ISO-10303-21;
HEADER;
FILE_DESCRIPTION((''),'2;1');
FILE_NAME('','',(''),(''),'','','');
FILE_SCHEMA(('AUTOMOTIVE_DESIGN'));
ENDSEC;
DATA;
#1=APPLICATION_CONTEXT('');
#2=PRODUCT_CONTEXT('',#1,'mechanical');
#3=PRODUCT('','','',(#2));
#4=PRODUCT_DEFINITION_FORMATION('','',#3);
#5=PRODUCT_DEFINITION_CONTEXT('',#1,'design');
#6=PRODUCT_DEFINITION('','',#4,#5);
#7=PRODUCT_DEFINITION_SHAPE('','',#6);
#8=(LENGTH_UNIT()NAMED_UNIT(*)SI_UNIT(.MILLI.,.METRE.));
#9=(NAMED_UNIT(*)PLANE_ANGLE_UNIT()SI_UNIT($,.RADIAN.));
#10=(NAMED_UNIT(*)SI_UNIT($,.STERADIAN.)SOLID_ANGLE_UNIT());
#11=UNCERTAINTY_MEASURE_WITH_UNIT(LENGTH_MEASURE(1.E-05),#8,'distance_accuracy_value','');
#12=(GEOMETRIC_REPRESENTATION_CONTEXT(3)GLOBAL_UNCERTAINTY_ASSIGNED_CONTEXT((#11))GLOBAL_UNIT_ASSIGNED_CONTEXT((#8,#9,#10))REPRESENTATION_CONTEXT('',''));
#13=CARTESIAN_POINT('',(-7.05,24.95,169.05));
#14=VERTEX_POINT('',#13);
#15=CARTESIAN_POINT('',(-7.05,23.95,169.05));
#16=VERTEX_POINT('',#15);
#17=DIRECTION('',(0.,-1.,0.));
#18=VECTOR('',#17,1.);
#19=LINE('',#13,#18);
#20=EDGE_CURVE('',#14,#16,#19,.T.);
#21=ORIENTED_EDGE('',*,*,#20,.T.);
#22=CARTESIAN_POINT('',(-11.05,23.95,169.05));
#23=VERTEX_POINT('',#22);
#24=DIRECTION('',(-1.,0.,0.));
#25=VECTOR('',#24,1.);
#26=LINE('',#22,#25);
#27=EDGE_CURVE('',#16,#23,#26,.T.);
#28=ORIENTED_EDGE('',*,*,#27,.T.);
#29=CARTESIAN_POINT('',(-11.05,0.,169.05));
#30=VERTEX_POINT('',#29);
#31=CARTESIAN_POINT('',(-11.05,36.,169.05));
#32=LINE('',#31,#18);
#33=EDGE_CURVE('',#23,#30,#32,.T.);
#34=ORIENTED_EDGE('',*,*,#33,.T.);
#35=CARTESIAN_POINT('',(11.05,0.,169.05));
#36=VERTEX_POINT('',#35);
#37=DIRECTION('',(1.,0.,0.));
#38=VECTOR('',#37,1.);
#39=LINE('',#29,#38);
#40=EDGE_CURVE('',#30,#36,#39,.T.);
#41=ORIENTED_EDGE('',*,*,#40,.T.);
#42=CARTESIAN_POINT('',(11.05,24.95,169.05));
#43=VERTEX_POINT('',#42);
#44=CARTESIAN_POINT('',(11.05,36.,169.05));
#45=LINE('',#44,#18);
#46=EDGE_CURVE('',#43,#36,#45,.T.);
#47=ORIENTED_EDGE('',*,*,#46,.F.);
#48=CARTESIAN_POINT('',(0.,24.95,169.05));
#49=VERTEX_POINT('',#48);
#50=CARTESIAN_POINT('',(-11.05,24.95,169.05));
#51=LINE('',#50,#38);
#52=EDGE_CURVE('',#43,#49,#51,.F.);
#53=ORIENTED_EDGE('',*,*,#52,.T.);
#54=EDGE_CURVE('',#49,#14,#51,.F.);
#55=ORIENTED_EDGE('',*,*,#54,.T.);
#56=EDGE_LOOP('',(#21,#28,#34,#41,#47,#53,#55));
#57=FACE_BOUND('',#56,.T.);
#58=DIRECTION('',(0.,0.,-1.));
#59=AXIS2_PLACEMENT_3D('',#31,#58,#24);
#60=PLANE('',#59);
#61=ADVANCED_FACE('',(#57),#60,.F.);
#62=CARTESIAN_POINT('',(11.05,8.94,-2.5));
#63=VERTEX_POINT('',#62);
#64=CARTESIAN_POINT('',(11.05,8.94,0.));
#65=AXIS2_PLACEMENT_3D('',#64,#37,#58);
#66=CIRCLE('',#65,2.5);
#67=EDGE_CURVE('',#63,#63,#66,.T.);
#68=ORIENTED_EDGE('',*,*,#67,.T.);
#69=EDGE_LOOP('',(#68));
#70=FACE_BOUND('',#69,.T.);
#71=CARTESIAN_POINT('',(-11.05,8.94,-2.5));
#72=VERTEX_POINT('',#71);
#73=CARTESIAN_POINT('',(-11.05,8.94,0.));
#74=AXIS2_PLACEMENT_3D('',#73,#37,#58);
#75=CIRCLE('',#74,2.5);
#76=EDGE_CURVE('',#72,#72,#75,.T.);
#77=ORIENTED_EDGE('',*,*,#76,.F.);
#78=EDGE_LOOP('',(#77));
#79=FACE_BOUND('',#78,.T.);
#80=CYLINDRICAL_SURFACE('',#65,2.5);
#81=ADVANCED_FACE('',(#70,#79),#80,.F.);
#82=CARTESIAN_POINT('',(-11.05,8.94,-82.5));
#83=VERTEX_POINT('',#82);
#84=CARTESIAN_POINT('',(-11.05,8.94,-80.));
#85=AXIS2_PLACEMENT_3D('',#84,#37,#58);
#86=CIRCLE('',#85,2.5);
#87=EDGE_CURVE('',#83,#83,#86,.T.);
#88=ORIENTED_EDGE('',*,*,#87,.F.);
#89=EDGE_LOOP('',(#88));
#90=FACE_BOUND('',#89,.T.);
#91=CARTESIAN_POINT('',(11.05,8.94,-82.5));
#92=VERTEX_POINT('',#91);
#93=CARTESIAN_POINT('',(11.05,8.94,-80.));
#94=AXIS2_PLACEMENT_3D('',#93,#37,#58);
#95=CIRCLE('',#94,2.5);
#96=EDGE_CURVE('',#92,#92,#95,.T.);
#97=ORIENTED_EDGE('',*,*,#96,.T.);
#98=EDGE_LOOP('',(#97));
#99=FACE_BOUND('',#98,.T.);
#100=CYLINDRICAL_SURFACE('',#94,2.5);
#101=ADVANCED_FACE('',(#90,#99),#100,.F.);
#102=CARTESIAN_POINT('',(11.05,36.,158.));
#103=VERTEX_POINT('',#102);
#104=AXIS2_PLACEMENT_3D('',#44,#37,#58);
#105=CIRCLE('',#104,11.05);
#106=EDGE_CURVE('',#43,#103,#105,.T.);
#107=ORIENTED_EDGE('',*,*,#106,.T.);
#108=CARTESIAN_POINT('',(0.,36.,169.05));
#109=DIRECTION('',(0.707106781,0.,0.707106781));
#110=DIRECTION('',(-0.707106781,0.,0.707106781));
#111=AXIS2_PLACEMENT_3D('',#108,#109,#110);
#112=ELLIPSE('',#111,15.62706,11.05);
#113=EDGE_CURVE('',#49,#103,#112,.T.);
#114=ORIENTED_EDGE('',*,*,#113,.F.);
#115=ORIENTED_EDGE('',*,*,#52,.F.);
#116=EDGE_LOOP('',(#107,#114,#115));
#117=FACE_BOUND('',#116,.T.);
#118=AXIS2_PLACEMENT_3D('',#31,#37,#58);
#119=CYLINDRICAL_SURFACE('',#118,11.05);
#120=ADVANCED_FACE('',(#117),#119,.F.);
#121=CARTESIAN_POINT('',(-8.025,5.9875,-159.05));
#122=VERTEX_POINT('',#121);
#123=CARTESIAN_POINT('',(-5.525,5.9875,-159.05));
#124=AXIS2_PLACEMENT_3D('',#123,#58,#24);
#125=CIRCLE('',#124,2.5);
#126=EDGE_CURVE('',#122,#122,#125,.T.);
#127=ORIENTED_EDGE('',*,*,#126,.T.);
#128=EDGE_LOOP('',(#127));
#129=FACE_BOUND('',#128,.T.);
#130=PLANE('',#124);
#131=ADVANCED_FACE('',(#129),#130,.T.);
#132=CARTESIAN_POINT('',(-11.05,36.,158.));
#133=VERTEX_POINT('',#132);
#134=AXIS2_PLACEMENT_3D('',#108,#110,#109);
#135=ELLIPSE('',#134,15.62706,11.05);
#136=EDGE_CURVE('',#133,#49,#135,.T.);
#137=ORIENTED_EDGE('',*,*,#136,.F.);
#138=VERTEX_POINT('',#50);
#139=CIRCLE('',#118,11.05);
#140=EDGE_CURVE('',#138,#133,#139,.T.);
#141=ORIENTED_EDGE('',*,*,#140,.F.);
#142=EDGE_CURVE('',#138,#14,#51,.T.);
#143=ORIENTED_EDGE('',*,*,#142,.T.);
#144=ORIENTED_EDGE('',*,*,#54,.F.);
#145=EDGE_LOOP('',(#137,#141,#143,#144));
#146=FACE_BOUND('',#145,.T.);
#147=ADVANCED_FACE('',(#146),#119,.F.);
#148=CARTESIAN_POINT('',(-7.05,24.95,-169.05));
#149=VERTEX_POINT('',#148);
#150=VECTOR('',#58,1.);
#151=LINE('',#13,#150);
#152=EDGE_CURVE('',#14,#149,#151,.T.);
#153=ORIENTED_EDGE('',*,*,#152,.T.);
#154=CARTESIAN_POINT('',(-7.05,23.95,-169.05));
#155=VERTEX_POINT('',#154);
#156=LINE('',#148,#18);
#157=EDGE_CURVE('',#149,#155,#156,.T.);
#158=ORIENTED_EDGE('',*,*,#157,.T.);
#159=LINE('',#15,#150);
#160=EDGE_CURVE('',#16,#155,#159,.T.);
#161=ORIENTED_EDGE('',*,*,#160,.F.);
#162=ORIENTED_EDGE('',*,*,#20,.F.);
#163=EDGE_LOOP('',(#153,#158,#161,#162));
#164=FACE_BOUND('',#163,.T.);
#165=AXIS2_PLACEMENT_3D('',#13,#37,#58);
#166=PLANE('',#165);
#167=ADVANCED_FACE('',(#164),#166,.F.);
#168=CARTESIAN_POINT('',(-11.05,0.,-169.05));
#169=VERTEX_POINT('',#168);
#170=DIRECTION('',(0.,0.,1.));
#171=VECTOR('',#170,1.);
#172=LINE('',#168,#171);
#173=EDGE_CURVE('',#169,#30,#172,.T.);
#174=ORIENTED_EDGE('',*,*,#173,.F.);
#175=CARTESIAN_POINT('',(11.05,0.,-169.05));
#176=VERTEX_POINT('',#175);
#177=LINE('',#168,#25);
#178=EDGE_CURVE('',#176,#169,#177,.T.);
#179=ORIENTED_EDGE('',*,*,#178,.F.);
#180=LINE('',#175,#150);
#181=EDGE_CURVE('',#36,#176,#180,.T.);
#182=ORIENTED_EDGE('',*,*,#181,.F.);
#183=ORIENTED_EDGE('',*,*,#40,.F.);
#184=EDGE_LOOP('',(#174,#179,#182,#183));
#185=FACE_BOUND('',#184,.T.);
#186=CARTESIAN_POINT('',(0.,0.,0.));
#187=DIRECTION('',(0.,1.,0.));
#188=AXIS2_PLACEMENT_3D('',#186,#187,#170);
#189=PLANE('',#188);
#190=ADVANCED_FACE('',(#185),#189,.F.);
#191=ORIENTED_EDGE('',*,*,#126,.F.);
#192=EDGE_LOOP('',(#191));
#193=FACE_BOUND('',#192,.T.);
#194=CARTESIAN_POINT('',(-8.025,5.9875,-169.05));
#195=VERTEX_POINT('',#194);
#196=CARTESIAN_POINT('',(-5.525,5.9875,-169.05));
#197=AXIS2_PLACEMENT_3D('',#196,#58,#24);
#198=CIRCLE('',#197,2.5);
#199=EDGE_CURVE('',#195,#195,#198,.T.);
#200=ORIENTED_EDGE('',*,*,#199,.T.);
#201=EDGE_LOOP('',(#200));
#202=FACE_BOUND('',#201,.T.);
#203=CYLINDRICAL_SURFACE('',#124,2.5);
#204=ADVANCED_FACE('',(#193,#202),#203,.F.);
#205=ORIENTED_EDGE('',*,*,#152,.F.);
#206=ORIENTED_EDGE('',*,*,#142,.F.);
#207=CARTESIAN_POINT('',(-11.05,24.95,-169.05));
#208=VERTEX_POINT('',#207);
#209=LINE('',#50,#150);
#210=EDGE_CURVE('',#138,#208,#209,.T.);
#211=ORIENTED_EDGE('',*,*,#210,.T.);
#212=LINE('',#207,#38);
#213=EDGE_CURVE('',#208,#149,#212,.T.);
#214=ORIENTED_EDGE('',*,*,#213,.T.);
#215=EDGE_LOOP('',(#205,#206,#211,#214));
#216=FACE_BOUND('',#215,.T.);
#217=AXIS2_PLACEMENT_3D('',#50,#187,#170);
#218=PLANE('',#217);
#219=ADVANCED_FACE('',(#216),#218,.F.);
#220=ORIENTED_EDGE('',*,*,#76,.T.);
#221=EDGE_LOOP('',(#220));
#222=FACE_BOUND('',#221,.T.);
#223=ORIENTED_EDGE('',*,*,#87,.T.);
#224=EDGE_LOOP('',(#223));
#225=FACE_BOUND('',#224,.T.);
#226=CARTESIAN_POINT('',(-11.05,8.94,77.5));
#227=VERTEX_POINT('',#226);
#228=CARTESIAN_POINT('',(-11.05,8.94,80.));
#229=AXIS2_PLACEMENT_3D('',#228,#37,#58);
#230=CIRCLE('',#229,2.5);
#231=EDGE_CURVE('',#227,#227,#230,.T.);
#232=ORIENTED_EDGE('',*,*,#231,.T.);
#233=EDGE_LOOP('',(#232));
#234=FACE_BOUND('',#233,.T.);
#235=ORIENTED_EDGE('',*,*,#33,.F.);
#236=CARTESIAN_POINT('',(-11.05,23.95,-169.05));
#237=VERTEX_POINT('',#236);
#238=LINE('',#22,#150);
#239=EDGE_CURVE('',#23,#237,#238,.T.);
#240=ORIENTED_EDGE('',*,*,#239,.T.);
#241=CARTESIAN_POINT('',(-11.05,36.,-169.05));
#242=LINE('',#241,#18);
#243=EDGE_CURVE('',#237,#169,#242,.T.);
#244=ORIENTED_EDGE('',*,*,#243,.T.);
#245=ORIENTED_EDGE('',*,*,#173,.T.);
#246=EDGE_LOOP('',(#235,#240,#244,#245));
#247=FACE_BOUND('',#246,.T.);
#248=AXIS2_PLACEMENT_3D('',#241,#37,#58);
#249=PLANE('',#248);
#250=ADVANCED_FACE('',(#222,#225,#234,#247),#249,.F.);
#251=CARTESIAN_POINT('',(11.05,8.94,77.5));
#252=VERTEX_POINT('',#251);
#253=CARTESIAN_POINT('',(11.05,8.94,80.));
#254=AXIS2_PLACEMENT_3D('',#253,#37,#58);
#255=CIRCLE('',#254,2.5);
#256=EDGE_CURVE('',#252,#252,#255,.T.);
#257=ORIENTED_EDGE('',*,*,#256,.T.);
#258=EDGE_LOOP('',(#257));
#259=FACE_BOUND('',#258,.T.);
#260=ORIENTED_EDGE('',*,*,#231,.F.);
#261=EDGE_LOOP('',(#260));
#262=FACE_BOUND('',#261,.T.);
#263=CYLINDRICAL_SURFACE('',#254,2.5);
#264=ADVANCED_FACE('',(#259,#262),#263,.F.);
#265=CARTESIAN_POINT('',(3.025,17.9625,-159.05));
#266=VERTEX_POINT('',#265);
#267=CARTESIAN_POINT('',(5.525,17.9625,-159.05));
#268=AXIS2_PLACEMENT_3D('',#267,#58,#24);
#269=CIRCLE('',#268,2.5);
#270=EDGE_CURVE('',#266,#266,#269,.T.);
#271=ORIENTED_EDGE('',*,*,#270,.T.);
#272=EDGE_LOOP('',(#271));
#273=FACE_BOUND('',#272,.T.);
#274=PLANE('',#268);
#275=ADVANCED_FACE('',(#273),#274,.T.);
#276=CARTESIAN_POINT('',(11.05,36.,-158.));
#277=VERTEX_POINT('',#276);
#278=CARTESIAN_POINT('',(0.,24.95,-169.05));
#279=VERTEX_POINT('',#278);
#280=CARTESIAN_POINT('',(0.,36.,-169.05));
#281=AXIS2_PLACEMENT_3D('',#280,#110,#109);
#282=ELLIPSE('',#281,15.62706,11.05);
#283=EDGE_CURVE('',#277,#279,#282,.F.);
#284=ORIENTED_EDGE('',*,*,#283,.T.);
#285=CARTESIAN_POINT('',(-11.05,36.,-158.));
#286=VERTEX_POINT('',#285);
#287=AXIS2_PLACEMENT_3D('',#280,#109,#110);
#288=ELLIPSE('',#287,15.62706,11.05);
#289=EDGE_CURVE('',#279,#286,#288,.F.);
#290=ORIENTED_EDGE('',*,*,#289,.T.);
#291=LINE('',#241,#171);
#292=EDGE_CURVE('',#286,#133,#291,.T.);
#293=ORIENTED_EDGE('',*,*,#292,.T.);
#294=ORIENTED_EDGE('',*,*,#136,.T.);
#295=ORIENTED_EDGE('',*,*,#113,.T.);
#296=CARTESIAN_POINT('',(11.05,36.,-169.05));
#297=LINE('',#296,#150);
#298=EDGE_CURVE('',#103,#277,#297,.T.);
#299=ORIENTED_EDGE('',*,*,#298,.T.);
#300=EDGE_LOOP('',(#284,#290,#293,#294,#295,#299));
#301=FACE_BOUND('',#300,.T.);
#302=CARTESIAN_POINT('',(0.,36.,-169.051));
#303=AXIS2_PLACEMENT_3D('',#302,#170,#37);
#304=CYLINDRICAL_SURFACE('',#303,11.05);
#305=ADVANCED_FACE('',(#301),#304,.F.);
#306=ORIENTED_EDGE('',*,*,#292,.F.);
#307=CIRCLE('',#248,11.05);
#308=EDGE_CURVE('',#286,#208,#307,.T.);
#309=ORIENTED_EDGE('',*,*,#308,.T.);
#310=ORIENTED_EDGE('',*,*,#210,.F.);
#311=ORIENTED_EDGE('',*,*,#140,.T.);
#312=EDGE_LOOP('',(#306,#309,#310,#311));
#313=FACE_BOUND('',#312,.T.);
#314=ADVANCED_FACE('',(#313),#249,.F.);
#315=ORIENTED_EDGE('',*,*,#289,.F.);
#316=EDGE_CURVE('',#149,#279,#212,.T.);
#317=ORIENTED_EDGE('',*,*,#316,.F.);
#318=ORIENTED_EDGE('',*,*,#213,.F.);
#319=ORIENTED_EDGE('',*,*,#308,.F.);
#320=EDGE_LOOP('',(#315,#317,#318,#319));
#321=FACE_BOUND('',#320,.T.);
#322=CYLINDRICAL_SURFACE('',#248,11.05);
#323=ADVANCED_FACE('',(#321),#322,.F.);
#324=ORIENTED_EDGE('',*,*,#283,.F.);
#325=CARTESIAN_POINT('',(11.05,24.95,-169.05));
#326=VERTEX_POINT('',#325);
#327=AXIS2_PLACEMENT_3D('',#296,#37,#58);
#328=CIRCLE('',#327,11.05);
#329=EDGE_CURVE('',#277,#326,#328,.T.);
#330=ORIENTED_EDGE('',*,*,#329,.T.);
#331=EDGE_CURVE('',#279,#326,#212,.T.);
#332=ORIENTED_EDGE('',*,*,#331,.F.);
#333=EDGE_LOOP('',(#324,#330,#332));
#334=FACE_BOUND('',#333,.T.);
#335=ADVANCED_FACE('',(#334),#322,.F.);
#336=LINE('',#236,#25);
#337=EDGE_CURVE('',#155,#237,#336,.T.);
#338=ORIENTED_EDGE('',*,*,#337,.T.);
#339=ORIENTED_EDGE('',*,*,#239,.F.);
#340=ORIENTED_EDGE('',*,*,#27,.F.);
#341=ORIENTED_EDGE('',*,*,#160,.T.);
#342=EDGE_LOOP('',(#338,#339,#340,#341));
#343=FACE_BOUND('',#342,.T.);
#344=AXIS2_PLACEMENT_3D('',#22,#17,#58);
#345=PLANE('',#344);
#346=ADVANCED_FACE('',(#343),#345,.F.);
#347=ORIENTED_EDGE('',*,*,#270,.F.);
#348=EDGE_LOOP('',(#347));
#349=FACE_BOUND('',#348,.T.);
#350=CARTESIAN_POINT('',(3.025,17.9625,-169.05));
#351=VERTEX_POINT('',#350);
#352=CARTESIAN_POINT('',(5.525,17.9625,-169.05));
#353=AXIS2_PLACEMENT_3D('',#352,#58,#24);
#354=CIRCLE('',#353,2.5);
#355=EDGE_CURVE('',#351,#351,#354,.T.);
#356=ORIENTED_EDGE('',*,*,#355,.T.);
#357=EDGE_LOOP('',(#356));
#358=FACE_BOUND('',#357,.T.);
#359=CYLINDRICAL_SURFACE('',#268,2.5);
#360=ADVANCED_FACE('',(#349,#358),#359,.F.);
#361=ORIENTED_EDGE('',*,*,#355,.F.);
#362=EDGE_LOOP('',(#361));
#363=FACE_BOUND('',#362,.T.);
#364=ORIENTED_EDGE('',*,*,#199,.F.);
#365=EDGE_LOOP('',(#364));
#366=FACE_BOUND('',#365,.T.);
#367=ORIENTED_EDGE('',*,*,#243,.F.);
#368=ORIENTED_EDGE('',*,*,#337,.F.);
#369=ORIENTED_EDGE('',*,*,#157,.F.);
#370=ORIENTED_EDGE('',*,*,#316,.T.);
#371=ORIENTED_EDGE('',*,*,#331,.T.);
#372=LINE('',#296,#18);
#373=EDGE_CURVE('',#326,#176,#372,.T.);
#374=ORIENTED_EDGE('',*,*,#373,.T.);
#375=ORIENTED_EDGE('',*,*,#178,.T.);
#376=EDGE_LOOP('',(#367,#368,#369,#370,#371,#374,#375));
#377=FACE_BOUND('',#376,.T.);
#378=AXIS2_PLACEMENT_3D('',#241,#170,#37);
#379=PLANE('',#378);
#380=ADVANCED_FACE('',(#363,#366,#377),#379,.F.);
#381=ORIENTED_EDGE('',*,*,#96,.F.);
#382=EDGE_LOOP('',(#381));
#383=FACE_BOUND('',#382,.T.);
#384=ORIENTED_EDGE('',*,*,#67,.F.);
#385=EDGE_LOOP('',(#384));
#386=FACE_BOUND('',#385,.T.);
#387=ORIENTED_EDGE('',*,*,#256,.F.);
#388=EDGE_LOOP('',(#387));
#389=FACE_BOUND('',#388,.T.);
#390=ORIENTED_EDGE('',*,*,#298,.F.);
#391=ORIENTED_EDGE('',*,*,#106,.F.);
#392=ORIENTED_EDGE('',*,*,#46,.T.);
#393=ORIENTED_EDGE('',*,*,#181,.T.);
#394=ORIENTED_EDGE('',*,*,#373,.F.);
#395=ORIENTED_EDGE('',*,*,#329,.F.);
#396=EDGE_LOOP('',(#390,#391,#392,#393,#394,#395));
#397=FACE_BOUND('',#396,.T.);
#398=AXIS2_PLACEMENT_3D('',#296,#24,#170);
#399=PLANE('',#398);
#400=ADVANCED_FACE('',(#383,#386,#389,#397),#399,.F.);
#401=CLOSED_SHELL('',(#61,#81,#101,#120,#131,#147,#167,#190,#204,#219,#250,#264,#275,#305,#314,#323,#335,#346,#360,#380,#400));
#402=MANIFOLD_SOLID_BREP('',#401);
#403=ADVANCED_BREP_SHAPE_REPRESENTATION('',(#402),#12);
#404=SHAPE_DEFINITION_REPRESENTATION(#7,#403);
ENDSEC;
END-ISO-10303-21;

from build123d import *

# Parameters (mm, degrees)
SKETCH1_W             = 22.1
SKETCH1_H             = 338.1
BOSS_EXTRUDE1_DEPTH   = 36
CUT_EXTRUDE1_REACH    = 342.191
SKETCH2_R             = 11.05
SKETCH3_R             = 11.05
CUT_EXTRUDE2_DEPTH    = 175.247847906
F_5_0MM_DOWEL_HOLE4_D = 5
SKETCH16_W            = 4
SKETCH16_H            = 1
CUT_EXTRUDE3_DEPTH    = 341.190700196
SKETCH19_R            = 2.5
CUT_EXTRUDE4_DEPTH    = 10


with BuildPart() as part:
    # Sketch1 → Boss-Extrude1 (new body)
    with BuildSketch(Plane(origin=(0, 0, 0), x_dir=(1, 0, 0), z_dir=(0, 1, 0))):
        Rectangle(SKETCH1_W, SKETCH1_H)
    extrude(amount=BOSS_EXTRUDE1_DEPTH)

    # Sketch2 → Cut-Extrude1 (cut, up to next)
    with BuildSketch(Plane.XY.offset(169.05), mode=Mode.PRIVATE) as cut_extrude1_sk1:
        with Locations((0, 36)):
            Circle(SKETCH2_R)
    cut_extrude1_tool1 = extrude(cut_extrude1_sk1.sketch, amount=-CUT_EXTRUDE1_REACH, mode=Mode.PRIVATE) & part.part
    add(cut_extrude1_tool1.solids().sort_by_distance((0, 36, 169.05))[0], mode=Mode.SUBTRACT)

    # Sketch3 → Cut-Extrude2 (cut, through all)
    with BuildSketch(Plane(origin=(11.05, 0, 0), x_dir=(0, 0, -1), z_dir=(1, 0, 0))):
        with Locations((-169.05, 36)):
            Circle(SKETCH3_R)
        with Locations((169.05, 36)):
            Circle(SKETCH3_R)
    extrude(amount=-CUT_EXTRUDE2_DEPTH, mode=Mode.SUBTRACT)

    # Ø5.0mm Dowel Hole4 (through all)
    with Locations(Plane(origin=(11.05, 0, 0), x_dir=(0, 0, -1), z_dir=(1, 0, 0))):
        with Locations((-80, 8.94), (0, 8.94), (80, 8.94)):
            Hole(F_5_0MM_DOWEL_HOLE4_D / 2)

    # Sketch16 → Cut-Extrude3 (cut, through all)
    with BuildSketch(Plane(origin=(0, 0, -169.05), x_dir=(-1, 0, 0), z_dir=(0, 0, -1))):
        with Locations((9.05, 24.45)):
            Rectangle(SKETCH16_W, SKETCH16_H)
    extrude(amount=-CUT_EXTRUDE3_DEPTH, mode=Mode.SUBTRACT)

    # Sketch19 → Cut-Extrude4 (cut)
    with BuildSketch(Plane(origin=(0, 0, -169.05), x_dir=(-1, 0, 0), z_dir=(0, 0, -1))):
        with Locations((-5.525, 17.9625)):
            Circle(SKETCH19_R)
        with Locations((5.525, 5.9875)):
            Circle(SKETCH19_R)
    extrude(amount=-CUT_EXTRUDE4_DEPTH, mode=Mode.SUBTRACT)


solid = part.part
